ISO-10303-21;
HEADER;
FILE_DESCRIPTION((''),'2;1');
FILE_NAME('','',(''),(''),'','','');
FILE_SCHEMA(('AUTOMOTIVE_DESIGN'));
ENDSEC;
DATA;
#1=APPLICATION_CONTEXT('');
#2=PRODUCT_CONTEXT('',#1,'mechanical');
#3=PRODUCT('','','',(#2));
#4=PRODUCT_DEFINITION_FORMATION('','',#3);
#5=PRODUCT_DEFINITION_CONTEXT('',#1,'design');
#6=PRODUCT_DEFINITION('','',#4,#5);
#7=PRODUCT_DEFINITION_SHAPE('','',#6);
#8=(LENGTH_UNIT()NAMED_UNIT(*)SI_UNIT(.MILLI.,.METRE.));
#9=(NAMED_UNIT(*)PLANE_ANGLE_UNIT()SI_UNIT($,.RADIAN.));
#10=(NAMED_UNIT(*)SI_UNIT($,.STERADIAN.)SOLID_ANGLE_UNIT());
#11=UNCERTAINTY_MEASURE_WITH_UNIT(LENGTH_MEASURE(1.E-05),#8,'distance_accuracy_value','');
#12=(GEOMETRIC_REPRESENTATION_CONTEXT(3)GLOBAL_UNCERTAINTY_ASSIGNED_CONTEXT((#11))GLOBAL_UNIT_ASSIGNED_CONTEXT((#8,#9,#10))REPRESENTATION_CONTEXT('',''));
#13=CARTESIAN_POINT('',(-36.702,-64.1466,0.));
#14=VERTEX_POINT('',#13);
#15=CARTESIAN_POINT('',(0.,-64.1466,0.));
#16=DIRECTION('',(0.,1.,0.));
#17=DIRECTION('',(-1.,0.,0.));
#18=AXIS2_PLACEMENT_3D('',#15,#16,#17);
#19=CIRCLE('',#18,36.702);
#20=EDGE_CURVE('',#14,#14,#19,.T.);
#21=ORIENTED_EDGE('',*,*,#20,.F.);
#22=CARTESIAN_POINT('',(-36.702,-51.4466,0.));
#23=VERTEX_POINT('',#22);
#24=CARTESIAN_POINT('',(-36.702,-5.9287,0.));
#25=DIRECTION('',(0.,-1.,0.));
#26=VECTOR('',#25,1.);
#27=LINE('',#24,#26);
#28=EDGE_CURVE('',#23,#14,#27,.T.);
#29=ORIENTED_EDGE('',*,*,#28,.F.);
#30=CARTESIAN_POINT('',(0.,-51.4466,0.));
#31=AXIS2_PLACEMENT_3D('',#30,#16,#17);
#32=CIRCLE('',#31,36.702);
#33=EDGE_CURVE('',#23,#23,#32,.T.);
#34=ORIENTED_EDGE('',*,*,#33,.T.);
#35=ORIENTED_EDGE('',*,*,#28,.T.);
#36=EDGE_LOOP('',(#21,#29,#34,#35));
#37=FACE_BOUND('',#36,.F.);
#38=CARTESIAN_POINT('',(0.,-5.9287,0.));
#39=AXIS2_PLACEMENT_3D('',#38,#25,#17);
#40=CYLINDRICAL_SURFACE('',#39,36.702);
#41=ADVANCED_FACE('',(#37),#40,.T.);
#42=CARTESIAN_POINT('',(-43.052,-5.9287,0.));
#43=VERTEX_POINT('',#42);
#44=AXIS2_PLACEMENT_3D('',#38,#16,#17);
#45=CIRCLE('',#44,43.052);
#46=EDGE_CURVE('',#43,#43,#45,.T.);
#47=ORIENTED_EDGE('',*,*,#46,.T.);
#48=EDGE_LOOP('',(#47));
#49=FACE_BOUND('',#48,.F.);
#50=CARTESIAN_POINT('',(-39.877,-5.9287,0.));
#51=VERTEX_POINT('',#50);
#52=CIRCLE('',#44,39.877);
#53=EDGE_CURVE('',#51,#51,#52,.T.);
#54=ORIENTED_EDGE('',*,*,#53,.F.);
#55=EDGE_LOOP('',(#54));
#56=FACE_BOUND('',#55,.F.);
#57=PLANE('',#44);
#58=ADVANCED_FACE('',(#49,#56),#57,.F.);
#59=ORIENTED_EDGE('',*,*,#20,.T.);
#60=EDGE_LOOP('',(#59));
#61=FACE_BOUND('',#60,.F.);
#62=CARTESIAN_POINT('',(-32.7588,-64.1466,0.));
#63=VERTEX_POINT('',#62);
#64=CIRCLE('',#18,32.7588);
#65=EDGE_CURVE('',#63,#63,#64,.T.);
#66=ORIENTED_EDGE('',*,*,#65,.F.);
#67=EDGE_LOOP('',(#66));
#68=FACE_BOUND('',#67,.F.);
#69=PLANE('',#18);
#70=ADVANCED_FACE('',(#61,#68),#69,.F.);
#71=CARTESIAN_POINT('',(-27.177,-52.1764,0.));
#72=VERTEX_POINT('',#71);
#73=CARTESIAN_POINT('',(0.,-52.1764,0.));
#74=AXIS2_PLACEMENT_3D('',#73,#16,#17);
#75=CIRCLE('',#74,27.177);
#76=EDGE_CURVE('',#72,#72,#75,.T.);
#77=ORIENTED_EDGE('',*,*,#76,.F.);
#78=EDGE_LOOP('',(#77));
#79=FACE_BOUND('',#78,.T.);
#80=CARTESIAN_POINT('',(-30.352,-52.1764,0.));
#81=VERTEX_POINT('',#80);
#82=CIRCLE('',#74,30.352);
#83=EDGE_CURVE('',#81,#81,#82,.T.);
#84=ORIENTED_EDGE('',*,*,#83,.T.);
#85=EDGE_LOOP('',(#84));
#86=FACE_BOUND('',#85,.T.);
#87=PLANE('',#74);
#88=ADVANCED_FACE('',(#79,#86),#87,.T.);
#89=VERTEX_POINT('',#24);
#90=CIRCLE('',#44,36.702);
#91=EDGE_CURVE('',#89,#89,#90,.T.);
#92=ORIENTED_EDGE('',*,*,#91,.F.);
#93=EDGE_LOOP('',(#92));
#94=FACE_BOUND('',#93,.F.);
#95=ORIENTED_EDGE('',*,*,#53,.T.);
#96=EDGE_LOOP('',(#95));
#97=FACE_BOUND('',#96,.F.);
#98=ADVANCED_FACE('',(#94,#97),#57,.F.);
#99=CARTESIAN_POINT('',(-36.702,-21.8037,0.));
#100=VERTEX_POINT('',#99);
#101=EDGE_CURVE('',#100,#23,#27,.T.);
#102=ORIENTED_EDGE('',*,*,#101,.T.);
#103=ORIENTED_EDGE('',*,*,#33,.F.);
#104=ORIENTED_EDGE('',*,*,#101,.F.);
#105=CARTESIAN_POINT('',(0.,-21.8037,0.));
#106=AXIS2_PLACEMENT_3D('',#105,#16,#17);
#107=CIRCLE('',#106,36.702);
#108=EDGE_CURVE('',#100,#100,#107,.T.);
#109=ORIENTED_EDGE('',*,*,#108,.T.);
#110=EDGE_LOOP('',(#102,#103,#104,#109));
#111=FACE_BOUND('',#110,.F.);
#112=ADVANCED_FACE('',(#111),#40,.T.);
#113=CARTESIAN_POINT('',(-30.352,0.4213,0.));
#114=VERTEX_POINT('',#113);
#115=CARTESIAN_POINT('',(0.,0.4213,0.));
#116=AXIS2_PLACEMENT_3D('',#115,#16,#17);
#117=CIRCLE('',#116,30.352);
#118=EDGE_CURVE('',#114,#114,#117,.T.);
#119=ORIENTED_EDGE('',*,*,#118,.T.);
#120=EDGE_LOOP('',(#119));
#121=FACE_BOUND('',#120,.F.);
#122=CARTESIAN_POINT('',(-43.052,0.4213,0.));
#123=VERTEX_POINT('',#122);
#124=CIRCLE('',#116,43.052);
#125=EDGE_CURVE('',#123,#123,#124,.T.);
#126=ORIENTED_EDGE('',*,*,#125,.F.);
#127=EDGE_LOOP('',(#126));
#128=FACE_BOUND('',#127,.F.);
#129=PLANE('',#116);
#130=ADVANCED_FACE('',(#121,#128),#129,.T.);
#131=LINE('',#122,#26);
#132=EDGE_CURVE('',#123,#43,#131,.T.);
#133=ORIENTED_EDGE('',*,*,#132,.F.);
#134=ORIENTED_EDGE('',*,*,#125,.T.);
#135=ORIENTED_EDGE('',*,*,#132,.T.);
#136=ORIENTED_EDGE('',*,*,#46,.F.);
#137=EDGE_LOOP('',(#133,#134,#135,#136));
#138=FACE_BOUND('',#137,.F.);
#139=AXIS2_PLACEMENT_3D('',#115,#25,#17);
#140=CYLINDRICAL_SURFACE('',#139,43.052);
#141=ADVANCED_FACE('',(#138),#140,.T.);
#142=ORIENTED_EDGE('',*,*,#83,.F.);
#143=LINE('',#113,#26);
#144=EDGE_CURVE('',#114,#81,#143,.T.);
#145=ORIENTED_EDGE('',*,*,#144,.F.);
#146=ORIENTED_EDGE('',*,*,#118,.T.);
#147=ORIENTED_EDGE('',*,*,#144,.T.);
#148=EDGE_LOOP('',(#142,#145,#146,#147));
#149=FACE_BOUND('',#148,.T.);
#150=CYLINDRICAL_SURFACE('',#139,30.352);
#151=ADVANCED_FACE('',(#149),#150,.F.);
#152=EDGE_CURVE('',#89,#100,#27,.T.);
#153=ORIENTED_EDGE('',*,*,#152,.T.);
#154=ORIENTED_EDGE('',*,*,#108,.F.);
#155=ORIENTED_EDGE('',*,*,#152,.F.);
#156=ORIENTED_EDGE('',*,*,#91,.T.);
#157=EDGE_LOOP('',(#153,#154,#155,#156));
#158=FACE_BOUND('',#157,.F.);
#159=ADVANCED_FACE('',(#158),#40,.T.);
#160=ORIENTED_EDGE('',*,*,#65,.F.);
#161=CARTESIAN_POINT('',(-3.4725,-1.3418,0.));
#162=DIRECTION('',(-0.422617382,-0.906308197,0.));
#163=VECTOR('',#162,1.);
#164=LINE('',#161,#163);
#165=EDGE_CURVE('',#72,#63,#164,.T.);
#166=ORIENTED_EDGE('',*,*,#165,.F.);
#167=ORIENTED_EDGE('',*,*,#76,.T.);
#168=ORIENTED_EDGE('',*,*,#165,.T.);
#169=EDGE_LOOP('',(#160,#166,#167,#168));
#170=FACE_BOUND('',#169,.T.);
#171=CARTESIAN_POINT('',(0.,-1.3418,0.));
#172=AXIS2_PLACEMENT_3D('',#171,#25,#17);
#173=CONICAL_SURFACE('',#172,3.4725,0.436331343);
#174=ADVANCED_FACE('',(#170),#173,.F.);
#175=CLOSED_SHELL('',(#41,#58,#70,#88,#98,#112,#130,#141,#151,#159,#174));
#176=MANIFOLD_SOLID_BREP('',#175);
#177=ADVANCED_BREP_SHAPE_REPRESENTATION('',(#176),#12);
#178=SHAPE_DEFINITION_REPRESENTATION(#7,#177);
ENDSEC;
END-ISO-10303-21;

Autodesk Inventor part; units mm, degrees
ref_plane "YZ Plane" through (0, 0, 0) normal (1, 0, 0) x (0, 1, 0)
ref_plane "XZ Plane" through (0, 0, 0) normal (0, 1, 0) x (-1, 0, 0)
ref_plane "XY Plane" through (0, 0, 0) normal (0, 0, 1) x (1, 0, 0)
sketch "Sketch1" plane through (0, 0, 0) normal (0, 0, 1) x (1, 0, 0)
  line L0 (-24.002, 6.35) -> (-17.7813, 6.35)
  line L1 (-43.052, 13.1213) -> (-5.5282, 3.0668)
  line L2 (-3.4725, -1.3418) -> (-39.877, -79.4117)
  line L3 (-17.652, -31.75) -> (-24.002, -31.75)
  line L4 (-24.002, -31.75) -> (-24.002, 6.35)
  arc A0 (-3.4725, -1.3418) -> (-5.5282, 3.0668) centre (-6.35, 0) ccw
  line L5 (-30.352, 0.4213) -> (-30.352, -52.1764)
  line L6 (-30.352, -52.1764) -> (-27.177, -52.1764)
  line L7 (-30.352, 0.4213) -> (-43.052, 0.4213)
  line L8 (-43.052, 0.4213) -> (-43.052, 5.1238)
  line L9 (-43.052, 5.1238) -> (-43.052, 13.1213)
  line L10 (-43.052, 0.4213) -> (-43.052, -5.9287)
  line L11 (-43.052, -5.9287) -> (-36.702, -5.9287)
  line L12 (-36.702, -5.9287) -> (-36.702, -64.1466)
  line L13 (-36.702, -64.1466) -> (-32.7588, -64.1466)
  line L14 (-39.877, -5.9287) -> (-39.877, -9.1037)
  line L15 (-39.877, -9.1037) -> (-43.052, -9.1037)
  line L16 (-43.052, -9.1037) -> (-43.052, -21.8037)
  line L17 (-43.052, -21.8037) -> (-36.702, -21.8037)
  line L18 (-43.052, -51.4466) -> (-43.052, -79.4117)
  line L19 (-43.052, -51.4466) -> (-36.702, -51.4466)
  line L20 (-43.052, -79.4117) -> (-39.877, -79.4117)
  line L21 (0, -97.9183) -> (0, 31.6279) projected
  point P0 (0, 0)
  dimension "d0" = 6.35
  dimension "d1" = 25
  dimension "d2" = 15
  dimension "d4" = 6.35
  dimension "d5" = 38.1
  dimension "d6" = 31.75
  dimension "d7" = 6.35
  dimension "d11" = 6.35
  dimension "d13" = 12.7
  dimension "d15" = 6.35
  dimension "d16" = 6.35
  dimension "d18" = 3.175
  dimension "d19" = 12.7
  dimension "d20" = 3.175
  dimension "d21" = 6.35
  dimension "d22" = 3.175
  dimension "d23" = 3.175
  dimension "d24" = 6.35
  dimension "d25" = 12.7
  dimension "d26" = 58.2179
  dimension "d27" = 12.7
revolve "Revolution2" add sketch "Sketch1" angle 360 about axis through (0, -10, 0) along (0, 1, 0) contours L2 L13 L12 L11 L10 L7 L5 L6
properties part number "aluminum_carrier" material "Aluminum 6061"
